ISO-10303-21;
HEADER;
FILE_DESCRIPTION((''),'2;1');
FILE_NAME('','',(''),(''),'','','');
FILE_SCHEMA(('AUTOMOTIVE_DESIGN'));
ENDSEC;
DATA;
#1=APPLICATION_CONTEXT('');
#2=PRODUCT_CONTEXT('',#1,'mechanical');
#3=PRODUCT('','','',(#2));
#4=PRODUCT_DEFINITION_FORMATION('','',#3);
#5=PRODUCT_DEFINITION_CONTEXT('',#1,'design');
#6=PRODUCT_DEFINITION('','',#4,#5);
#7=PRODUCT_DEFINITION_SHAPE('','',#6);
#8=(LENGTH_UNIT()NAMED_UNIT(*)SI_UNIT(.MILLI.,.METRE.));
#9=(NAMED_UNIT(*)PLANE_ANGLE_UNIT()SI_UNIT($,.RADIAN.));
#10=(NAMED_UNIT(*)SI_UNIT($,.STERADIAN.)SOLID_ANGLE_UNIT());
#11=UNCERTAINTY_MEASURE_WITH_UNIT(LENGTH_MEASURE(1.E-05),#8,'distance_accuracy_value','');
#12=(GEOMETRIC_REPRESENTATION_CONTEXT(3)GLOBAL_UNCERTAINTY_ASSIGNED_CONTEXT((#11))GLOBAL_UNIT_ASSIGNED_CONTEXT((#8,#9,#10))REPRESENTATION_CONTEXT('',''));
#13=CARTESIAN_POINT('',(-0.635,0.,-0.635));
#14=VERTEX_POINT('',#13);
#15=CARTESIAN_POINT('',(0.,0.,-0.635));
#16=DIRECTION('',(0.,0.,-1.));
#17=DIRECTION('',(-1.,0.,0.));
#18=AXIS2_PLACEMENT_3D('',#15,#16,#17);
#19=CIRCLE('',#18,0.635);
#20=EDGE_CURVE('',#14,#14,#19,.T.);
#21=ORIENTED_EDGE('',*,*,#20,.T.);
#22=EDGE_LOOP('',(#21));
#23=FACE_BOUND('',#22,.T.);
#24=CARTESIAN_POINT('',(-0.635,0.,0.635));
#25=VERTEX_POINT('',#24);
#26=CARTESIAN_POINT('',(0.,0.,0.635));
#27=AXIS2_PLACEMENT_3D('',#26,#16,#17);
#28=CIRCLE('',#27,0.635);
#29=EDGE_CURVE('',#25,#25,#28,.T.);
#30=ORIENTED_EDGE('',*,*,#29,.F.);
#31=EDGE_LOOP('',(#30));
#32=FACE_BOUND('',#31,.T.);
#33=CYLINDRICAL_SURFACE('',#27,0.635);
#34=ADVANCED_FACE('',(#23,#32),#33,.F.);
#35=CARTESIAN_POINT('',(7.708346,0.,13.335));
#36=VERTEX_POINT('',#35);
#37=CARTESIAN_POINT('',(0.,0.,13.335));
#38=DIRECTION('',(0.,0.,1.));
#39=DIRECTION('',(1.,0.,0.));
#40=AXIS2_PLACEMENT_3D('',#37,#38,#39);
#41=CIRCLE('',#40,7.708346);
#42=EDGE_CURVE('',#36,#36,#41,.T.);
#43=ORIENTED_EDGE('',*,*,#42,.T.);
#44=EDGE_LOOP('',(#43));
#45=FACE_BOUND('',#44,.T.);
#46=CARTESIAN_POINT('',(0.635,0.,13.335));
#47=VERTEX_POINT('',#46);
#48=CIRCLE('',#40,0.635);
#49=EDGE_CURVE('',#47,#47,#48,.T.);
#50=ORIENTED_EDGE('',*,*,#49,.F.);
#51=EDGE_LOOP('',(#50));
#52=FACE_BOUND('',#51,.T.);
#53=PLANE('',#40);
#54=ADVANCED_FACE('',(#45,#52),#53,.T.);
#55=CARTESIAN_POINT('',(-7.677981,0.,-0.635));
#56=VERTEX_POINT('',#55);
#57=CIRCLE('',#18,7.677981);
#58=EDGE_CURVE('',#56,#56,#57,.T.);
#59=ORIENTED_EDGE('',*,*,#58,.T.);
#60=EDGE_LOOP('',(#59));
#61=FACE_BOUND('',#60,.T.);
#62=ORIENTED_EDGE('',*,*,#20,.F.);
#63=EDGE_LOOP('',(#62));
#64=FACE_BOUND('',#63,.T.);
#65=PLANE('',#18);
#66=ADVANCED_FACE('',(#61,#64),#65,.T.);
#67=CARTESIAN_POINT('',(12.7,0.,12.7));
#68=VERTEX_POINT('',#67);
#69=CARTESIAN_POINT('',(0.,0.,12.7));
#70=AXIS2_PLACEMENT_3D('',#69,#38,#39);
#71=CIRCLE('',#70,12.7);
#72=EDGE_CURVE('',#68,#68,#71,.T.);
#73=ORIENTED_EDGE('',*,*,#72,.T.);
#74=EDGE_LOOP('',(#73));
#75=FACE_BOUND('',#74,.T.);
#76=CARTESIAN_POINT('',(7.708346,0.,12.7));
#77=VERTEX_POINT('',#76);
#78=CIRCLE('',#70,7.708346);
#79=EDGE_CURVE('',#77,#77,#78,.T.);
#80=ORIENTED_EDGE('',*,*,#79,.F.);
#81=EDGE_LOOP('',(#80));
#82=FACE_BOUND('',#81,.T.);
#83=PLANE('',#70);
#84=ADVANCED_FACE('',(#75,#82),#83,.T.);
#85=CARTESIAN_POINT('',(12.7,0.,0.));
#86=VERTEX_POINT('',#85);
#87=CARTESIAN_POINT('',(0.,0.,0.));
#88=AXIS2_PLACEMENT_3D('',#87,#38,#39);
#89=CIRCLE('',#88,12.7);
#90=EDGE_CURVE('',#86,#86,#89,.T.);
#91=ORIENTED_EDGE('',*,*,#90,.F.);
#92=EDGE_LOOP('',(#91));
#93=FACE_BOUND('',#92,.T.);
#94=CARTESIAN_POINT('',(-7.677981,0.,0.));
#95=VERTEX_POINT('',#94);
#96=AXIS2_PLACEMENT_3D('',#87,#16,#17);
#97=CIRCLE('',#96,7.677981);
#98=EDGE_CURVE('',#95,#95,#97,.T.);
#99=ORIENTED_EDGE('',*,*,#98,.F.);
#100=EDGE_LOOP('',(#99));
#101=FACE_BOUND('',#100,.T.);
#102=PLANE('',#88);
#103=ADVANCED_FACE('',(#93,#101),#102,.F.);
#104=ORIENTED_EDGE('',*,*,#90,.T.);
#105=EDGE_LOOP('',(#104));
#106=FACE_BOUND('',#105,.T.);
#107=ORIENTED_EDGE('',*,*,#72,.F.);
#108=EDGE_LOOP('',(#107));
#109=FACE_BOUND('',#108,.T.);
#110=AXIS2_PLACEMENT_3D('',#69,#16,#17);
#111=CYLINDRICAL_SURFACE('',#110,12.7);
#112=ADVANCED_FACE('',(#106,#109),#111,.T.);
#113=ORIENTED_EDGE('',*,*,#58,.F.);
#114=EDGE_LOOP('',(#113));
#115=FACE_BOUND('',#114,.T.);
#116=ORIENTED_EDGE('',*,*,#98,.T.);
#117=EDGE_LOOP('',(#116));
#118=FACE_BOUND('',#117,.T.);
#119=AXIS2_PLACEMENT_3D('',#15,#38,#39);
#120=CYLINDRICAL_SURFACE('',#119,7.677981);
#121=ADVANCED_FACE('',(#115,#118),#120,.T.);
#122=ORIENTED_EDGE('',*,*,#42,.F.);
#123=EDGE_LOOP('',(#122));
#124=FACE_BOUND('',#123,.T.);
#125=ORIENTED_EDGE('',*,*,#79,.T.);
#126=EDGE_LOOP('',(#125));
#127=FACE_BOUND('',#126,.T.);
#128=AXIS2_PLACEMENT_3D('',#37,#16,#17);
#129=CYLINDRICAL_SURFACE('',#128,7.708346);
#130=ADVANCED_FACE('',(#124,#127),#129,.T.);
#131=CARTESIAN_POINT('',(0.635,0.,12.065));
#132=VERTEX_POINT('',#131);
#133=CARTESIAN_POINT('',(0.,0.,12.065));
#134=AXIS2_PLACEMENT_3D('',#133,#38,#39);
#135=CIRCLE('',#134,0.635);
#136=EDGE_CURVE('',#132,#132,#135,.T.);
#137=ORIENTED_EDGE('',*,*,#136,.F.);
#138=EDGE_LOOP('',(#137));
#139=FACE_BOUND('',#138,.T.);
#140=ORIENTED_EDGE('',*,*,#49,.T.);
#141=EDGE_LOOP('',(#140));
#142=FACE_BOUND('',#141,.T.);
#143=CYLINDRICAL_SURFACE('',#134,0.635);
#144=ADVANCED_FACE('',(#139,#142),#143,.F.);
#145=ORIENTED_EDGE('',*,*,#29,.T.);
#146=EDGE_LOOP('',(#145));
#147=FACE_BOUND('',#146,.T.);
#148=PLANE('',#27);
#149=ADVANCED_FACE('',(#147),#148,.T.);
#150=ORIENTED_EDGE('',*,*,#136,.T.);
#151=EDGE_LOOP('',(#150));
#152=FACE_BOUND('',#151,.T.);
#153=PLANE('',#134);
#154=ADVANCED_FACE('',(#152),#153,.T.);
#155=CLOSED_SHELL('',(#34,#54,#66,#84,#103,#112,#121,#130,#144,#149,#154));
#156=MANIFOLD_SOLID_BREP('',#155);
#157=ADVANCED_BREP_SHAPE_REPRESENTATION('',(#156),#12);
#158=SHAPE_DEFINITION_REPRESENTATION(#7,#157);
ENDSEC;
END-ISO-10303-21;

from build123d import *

# Parameters (mm, degrees)
SKETCH1_R           = 12.7
BOSS_EXTRUDE1_DEPTH = 12.7
SKETCH2_R           = 7.70834565
BOSS_EXTRUDE2_DEPTH = 0.635
SKETCH3_R           = 7.677981209
BOSS_EXTRUDE3_DEPTH = 0.635
SKETCH4_R           = 0.635
CUT_EXTRUDE1_DEPTH  = 1.27
SKETCH5_R           = 0.635
CUT_EXTRUDE2_DEPTH  = 1.27


with BuildPart() as part:
    # Sketch1 → Boss-Extrude1 (new body)
    with BuildSketch(Plane.XY):
        Circle(SKETCH1_R)
    extrude(amount=BOSS_EXTRUDE1_DEPTH)

    # Sketch2 → Boss-Extrude2 (add)
    with BuildSketch(Plane.XY.offset(12.7)):
        Circle(SKETCH2_R)
    extrude(amount=BOSS_EXTRUDE2_DEPTH)

    # Sketch3 → Boss-Extrude3 (add)
    with BuildSketch(Plane(origin=(0, 0, 0), x_dir=(-1, 0, 0), z_dir=(0, 0, -1))):
        Circle(SKETCH3_R)
    extrude(amount=BOSS_EXTRUDE3_DEPTH)

    # Sketch4 → Cut-Extrude1 (cut)
    with BuildSketch(Plane.XY.offset(13.335)):
        Circle(SKETCH4_R)
    extrude(amount=-CUT_EXTRUDE1_DEPTH, mode=Mode.SUBTRACT)

    # Sketch5 → Cut-Extrude2 (cut)
    with BuildSketch(Plane(origin=(0, 0, -0.635), x_dir=(-1, 0, 0), z_dir=(0, 0, -1))):
        Circle(SKETCH5_R)
    extrude(amount=-CUT_EXTRUDE2_DEPTH, mode=Mode.SUBTRACT)


solid = part.part
